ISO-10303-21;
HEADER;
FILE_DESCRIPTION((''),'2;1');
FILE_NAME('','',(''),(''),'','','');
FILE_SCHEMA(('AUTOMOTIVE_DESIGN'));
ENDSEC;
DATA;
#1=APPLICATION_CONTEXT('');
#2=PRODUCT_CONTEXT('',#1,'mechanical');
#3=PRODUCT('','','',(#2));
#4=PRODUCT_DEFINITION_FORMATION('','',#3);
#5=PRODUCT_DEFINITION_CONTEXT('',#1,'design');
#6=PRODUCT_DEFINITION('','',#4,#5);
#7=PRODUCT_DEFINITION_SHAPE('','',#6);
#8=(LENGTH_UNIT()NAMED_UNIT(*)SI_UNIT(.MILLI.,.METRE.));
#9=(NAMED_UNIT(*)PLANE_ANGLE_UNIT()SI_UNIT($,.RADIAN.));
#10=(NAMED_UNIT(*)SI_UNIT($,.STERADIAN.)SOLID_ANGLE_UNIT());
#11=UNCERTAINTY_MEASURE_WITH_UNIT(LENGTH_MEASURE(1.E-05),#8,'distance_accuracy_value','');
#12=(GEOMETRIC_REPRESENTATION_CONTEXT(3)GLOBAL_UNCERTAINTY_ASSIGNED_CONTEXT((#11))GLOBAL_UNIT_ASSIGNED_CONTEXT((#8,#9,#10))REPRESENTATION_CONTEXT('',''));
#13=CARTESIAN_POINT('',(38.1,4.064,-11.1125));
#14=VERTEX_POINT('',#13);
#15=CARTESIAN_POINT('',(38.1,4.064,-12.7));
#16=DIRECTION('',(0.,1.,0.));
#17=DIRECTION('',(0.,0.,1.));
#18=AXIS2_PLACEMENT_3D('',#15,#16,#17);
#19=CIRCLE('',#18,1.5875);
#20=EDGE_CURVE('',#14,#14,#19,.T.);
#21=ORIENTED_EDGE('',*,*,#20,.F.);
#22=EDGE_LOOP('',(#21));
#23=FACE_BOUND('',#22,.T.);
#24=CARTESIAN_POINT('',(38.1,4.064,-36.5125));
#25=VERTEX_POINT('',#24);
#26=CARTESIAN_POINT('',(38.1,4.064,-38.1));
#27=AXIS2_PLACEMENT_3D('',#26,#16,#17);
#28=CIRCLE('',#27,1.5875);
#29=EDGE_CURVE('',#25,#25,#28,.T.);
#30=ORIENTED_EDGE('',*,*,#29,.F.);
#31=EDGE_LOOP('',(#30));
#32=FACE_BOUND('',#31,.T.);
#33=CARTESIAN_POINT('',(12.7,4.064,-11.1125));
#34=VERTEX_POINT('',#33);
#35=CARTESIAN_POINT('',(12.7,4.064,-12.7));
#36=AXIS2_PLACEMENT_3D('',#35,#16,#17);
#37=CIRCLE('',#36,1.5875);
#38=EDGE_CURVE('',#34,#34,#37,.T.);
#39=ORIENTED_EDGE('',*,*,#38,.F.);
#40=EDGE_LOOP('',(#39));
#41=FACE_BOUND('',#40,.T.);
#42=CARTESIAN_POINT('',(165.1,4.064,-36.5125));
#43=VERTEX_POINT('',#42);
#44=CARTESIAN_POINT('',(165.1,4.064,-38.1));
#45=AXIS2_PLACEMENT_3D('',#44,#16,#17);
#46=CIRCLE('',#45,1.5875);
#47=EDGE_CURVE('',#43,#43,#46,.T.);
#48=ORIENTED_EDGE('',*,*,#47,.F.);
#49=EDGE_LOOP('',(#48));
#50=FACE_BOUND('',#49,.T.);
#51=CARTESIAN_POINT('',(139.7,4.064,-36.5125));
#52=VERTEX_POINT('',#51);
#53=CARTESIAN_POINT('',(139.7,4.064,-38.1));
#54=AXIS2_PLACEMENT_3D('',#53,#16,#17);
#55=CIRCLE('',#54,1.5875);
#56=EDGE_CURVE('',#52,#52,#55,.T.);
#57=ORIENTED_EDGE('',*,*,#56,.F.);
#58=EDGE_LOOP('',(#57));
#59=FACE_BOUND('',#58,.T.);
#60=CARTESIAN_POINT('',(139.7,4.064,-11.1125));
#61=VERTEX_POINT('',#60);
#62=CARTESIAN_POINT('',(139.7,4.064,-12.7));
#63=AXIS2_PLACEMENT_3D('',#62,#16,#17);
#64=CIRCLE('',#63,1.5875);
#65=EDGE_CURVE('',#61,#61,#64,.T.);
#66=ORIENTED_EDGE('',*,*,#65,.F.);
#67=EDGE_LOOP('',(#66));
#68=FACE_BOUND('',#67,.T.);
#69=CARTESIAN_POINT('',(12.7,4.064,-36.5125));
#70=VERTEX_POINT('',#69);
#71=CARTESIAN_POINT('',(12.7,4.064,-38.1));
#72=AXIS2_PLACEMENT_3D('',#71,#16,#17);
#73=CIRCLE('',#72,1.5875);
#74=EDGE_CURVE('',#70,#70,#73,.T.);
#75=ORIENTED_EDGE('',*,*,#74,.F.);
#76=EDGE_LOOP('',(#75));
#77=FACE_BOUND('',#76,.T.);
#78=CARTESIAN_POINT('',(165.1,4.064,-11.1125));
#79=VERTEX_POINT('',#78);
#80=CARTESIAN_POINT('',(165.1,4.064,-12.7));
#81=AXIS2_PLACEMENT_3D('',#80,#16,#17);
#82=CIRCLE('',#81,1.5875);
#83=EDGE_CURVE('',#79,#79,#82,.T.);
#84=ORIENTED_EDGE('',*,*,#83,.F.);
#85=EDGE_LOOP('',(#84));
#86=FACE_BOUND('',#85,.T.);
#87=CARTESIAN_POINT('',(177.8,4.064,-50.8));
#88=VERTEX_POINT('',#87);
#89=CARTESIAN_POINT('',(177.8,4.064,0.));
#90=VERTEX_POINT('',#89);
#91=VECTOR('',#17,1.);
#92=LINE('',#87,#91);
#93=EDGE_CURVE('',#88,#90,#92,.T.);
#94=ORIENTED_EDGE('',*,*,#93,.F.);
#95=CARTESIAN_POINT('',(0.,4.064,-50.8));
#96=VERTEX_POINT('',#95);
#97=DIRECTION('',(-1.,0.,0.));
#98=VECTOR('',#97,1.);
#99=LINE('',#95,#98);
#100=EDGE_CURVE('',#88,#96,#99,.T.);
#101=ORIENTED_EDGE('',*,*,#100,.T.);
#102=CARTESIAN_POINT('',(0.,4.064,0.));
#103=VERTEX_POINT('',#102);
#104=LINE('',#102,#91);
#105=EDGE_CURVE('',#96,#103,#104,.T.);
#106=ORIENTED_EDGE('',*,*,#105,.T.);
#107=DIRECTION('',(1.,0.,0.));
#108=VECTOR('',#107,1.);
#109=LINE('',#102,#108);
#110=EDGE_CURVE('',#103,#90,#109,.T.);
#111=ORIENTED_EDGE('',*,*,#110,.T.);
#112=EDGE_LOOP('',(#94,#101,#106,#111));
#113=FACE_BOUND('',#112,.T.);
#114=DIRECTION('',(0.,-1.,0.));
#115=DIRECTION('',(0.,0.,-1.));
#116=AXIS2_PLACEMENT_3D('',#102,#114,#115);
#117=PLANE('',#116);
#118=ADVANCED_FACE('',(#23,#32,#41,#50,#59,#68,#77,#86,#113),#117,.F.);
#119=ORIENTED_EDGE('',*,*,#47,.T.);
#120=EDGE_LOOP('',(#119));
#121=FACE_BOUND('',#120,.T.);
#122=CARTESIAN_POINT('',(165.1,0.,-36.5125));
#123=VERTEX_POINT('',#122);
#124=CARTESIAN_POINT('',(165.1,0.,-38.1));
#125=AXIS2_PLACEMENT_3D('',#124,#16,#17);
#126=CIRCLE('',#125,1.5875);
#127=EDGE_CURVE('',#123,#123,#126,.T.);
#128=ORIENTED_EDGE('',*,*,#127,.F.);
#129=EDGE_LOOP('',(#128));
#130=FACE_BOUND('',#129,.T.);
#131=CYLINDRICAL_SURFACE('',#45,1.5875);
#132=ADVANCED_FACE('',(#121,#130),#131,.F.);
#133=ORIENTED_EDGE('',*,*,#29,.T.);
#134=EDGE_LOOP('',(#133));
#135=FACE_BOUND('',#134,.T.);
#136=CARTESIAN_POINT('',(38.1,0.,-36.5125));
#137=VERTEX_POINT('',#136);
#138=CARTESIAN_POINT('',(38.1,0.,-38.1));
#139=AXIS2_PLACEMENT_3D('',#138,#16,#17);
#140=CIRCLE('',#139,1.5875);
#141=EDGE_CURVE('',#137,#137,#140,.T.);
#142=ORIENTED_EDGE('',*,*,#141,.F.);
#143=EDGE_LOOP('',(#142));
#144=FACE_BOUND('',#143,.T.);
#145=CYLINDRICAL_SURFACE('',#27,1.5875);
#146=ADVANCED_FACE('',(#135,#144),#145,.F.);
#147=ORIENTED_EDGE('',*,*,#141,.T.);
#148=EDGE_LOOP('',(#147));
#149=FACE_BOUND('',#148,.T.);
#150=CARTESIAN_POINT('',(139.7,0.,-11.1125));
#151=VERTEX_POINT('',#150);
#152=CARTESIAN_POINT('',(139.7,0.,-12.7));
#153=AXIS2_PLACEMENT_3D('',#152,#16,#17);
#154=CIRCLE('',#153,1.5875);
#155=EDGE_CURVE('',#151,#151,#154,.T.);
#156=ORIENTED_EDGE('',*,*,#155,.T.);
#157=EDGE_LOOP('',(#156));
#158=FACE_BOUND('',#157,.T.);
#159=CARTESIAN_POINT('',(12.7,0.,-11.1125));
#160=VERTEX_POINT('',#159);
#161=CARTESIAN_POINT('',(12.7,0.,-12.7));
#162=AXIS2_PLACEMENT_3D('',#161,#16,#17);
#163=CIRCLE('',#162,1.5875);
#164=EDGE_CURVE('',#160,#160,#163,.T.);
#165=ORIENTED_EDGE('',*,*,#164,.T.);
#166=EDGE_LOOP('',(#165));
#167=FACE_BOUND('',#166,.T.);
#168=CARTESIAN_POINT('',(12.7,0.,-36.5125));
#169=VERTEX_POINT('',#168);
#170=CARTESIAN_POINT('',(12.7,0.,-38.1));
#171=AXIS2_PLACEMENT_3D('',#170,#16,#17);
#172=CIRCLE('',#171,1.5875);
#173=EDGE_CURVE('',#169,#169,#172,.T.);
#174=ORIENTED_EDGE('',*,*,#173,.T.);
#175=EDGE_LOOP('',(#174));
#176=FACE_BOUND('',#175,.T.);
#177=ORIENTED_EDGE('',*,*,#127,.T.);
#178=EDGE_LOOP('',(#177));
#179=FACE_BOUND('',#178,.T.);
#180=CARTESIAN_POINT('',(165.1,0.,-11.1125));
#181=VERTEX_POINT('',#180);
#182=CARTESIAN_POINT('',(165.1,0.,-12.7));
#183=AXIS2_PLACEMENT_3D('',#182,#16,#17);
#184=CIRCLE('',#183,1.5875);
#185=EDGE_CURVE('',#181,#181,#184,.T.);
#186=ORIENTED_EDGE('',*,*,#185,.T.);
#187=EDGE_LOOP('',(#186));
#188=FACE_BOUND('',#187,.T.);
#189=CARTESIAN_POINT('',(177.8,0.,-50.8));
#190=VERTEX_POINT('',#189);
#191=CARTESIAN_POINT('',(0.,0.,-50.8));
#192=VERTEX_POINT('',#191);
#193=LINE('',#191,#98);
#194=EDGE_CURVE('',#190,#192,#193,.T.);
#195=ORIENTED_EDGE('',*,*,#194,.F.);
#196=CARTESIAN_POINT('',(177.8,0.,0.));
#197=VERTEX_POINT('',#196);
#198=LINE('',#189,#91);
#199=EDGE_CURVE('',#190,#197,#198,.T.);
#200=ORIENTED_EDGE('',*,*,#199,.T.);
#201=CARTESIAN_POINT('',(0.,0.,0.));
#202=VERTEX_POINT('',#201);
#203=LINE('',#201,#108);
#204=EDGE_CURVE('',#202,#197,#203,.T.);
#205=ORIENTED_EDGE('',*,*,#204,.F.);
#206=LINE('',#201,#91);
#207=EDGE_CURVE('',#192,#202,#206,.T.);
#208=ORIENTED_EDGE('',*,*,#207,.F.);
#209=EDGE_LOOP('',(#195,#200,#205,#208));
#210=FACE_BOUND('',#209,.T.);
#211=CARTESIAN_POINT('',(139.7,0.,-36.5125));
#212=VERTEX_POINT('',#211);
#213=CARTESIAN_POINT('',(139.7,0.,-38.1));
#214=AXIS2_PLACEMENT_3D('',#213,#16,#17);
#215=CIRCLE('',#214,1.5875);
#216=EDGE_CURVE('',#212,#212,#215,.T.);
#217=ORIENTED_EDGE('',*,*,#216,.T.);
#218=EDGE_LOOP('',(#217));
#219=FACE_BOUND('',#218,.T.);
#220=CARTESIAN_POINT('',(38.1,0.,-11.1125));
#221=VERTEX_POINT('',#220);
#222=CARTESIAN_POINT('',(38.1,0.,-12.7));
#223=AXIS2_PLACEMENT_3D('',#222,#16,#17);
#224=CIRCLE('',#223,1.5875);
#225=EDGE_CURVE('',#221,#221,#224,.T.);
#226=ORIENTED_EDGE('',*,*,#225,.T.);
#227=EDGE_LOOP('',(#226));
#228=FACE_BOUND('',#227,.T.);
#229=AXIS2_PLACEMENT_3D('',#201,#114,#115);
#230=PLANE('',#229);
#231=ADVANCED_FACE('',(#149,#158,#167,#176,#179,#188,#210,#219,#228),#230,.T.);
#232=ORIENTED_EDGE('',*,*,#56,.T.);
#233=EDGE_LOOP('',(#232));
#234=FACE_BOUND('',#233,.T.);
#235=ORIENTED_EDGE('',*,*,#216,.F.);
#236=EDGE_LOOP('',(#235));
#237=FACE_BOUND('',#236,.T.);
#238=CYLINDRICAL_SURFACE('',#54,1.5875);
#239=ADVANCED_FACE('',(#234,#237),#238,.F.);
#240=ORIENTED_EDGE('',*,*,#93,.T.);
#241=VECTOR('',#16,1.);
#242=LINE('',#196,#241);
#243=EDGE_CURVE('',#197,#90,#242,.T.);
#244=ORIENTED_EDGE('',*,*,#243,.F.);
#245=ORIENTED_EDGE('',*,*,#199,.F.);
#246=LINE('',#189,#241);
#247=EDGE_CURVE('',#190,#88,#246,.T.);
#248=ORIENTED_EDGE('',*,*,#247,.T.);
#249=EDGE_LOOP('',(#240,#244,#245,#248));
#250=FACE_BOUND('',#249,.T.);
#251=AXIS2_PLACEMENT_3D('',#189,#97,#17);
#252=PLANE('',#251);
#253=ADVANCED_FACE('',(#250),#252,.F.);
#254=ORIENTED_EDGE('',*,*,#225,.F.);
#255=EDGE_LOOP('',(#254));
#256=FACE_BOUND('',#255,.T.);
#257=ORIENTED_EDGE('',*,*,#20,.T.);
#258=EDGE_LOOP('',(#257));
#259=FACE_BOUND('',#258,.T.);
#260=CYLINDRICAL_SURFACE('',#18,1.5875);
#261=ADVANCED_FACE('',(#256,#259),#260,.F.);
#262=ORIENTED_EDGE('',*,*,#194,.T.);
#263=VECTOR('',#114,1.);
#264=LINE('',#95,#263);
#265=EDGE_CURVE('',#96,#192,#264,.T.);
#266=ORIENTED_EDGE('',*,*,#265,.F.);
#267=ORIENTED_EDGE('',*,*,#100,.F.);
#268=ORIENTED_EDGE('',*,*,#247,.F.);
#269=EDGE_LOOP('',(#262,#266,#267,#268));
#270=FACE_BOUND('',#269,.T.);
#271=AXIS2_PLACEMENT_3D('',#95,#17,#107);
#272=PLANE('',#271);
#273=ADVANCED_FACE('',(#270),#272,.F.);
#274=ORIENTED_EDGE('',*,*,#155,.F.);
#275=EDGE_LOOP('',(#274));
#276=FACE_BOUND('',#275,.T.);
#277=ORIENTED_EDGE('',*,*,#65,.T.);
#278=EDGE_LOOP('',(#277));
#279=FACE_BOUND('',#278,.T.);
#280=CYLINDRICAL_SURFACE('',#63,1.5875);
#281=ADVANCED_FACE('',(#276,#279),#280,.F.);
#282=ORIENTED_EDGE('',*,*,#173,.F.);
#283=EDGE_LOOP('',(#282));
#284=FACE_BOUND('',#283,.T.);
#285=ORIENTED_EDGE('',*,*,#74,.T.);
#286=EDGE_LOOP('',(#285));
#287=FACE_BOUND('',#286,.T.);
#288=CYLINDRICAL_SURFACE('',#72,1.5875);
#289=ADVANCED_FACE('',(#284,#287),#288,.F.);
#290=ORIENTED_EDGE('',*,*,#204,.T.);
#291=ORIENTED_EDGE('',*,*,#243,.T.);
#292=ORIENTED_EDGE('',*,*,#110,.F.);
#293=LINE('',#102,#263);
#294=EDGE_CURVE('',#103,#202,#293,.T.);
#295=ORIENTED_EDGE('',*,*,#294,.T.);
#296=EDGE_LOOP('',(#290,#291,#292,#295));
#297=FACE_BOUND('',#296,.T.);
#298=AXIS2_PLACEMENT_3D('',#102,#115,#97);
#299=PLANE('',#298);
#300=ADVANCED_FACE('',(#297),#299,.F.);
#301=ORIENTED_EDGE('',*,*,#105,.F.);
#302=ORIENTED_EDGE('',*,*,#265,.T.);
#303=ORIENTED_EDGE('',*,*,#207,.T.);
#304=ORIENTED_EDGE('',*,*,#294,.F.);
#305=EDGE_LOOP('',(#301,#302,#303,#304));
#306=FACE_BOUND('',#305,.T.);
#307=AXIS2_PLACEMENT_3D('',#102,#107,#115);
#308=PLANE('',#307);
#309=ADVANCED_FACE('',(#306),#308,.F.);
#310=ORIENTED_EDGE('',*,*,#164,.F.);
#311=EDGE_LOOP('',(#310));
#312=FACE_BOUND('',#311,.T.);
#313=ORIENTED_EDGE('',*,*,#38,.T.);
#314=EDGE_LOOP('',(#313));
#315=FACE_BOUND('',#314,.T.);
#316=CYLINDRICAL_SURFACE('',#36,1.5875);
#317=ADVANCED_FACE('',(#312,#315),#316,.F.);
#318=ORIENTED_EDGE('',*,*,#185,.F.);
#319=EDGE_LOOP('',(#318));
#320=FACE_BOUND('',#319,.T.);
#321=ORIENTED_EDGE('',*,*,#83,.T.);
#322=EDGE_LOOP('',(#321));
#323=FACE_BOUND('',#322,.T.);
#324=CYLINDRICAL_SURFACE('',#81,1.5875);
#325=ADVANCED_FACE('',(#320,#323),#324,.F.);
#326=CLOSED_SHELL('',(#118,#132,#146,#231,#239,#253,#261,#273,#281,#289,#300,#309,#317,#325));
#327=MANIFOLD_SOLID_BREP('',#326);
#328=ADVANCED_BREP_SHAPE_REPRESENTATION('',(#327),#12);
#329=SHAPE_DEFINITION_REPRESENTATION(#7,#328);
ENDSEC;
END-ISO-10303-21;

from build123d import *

# Parameters (mm, degrees)
SKETCH1_W                    = 304.8
SKETCH1_H                    = 50.8
BOSS_EXTRUDE1_DEPTH          = 4.064
F_1_8_0_125_DIAMETER_HOLE1_D = 3.175
SKETCH4_W                    = 127
SKETCH4_H                    = 50.8
CUT_EXTRUDE1_DEPTH           = 5.064


with BuildPart() as part:
    # Sketch1 → Boss-Extrude1 (new body)
    with BuildSketch(Plane(origin=(0, 0, 0), x_dir=(1, 0, 0), z_dir=(0, 1, 0))):
        with Locations((152.4, 25.4)):
            Rectangle(SKETCH1_W, SKETCH1_H)
    extrude(amount=BOSS_EXTRUDE1_DEPTH)

    # 1/8 (0.125) Diameter Hole1 (through all)
    with Locations(Plane(origin=(0, 4.064, 0), x_dir=(1, 0, 0), z_dir=(0, 1, 0))):
        with Locations((12.7, 12.7), (38.1, 38.1), (12.7, 38.1), (38.1, 12.7), (139.7, 12.7), (165.1, 38.1), (139.7, 38.1), (165.1, 12.7)):
            Hole(F_1_8_0_125_DIAMETER_HOLE1_D / 2)

    # Sketch4 → Cut-Extrude1 (cut, through all)
    with BuildSketch(Plane(origin=(0, 4.064, 0), x_dir=(1, 0, 0), z_dir=(0, 1, 0))):
        with Locations((241.3, 25.4)):
            Rectangle(SKETCH4_W, SKETCH4_H)
    extrude(amount=-CUT_EXTRUDE1_DEPTH, mode=Mode.SUBTRACT)


solid = part.part
